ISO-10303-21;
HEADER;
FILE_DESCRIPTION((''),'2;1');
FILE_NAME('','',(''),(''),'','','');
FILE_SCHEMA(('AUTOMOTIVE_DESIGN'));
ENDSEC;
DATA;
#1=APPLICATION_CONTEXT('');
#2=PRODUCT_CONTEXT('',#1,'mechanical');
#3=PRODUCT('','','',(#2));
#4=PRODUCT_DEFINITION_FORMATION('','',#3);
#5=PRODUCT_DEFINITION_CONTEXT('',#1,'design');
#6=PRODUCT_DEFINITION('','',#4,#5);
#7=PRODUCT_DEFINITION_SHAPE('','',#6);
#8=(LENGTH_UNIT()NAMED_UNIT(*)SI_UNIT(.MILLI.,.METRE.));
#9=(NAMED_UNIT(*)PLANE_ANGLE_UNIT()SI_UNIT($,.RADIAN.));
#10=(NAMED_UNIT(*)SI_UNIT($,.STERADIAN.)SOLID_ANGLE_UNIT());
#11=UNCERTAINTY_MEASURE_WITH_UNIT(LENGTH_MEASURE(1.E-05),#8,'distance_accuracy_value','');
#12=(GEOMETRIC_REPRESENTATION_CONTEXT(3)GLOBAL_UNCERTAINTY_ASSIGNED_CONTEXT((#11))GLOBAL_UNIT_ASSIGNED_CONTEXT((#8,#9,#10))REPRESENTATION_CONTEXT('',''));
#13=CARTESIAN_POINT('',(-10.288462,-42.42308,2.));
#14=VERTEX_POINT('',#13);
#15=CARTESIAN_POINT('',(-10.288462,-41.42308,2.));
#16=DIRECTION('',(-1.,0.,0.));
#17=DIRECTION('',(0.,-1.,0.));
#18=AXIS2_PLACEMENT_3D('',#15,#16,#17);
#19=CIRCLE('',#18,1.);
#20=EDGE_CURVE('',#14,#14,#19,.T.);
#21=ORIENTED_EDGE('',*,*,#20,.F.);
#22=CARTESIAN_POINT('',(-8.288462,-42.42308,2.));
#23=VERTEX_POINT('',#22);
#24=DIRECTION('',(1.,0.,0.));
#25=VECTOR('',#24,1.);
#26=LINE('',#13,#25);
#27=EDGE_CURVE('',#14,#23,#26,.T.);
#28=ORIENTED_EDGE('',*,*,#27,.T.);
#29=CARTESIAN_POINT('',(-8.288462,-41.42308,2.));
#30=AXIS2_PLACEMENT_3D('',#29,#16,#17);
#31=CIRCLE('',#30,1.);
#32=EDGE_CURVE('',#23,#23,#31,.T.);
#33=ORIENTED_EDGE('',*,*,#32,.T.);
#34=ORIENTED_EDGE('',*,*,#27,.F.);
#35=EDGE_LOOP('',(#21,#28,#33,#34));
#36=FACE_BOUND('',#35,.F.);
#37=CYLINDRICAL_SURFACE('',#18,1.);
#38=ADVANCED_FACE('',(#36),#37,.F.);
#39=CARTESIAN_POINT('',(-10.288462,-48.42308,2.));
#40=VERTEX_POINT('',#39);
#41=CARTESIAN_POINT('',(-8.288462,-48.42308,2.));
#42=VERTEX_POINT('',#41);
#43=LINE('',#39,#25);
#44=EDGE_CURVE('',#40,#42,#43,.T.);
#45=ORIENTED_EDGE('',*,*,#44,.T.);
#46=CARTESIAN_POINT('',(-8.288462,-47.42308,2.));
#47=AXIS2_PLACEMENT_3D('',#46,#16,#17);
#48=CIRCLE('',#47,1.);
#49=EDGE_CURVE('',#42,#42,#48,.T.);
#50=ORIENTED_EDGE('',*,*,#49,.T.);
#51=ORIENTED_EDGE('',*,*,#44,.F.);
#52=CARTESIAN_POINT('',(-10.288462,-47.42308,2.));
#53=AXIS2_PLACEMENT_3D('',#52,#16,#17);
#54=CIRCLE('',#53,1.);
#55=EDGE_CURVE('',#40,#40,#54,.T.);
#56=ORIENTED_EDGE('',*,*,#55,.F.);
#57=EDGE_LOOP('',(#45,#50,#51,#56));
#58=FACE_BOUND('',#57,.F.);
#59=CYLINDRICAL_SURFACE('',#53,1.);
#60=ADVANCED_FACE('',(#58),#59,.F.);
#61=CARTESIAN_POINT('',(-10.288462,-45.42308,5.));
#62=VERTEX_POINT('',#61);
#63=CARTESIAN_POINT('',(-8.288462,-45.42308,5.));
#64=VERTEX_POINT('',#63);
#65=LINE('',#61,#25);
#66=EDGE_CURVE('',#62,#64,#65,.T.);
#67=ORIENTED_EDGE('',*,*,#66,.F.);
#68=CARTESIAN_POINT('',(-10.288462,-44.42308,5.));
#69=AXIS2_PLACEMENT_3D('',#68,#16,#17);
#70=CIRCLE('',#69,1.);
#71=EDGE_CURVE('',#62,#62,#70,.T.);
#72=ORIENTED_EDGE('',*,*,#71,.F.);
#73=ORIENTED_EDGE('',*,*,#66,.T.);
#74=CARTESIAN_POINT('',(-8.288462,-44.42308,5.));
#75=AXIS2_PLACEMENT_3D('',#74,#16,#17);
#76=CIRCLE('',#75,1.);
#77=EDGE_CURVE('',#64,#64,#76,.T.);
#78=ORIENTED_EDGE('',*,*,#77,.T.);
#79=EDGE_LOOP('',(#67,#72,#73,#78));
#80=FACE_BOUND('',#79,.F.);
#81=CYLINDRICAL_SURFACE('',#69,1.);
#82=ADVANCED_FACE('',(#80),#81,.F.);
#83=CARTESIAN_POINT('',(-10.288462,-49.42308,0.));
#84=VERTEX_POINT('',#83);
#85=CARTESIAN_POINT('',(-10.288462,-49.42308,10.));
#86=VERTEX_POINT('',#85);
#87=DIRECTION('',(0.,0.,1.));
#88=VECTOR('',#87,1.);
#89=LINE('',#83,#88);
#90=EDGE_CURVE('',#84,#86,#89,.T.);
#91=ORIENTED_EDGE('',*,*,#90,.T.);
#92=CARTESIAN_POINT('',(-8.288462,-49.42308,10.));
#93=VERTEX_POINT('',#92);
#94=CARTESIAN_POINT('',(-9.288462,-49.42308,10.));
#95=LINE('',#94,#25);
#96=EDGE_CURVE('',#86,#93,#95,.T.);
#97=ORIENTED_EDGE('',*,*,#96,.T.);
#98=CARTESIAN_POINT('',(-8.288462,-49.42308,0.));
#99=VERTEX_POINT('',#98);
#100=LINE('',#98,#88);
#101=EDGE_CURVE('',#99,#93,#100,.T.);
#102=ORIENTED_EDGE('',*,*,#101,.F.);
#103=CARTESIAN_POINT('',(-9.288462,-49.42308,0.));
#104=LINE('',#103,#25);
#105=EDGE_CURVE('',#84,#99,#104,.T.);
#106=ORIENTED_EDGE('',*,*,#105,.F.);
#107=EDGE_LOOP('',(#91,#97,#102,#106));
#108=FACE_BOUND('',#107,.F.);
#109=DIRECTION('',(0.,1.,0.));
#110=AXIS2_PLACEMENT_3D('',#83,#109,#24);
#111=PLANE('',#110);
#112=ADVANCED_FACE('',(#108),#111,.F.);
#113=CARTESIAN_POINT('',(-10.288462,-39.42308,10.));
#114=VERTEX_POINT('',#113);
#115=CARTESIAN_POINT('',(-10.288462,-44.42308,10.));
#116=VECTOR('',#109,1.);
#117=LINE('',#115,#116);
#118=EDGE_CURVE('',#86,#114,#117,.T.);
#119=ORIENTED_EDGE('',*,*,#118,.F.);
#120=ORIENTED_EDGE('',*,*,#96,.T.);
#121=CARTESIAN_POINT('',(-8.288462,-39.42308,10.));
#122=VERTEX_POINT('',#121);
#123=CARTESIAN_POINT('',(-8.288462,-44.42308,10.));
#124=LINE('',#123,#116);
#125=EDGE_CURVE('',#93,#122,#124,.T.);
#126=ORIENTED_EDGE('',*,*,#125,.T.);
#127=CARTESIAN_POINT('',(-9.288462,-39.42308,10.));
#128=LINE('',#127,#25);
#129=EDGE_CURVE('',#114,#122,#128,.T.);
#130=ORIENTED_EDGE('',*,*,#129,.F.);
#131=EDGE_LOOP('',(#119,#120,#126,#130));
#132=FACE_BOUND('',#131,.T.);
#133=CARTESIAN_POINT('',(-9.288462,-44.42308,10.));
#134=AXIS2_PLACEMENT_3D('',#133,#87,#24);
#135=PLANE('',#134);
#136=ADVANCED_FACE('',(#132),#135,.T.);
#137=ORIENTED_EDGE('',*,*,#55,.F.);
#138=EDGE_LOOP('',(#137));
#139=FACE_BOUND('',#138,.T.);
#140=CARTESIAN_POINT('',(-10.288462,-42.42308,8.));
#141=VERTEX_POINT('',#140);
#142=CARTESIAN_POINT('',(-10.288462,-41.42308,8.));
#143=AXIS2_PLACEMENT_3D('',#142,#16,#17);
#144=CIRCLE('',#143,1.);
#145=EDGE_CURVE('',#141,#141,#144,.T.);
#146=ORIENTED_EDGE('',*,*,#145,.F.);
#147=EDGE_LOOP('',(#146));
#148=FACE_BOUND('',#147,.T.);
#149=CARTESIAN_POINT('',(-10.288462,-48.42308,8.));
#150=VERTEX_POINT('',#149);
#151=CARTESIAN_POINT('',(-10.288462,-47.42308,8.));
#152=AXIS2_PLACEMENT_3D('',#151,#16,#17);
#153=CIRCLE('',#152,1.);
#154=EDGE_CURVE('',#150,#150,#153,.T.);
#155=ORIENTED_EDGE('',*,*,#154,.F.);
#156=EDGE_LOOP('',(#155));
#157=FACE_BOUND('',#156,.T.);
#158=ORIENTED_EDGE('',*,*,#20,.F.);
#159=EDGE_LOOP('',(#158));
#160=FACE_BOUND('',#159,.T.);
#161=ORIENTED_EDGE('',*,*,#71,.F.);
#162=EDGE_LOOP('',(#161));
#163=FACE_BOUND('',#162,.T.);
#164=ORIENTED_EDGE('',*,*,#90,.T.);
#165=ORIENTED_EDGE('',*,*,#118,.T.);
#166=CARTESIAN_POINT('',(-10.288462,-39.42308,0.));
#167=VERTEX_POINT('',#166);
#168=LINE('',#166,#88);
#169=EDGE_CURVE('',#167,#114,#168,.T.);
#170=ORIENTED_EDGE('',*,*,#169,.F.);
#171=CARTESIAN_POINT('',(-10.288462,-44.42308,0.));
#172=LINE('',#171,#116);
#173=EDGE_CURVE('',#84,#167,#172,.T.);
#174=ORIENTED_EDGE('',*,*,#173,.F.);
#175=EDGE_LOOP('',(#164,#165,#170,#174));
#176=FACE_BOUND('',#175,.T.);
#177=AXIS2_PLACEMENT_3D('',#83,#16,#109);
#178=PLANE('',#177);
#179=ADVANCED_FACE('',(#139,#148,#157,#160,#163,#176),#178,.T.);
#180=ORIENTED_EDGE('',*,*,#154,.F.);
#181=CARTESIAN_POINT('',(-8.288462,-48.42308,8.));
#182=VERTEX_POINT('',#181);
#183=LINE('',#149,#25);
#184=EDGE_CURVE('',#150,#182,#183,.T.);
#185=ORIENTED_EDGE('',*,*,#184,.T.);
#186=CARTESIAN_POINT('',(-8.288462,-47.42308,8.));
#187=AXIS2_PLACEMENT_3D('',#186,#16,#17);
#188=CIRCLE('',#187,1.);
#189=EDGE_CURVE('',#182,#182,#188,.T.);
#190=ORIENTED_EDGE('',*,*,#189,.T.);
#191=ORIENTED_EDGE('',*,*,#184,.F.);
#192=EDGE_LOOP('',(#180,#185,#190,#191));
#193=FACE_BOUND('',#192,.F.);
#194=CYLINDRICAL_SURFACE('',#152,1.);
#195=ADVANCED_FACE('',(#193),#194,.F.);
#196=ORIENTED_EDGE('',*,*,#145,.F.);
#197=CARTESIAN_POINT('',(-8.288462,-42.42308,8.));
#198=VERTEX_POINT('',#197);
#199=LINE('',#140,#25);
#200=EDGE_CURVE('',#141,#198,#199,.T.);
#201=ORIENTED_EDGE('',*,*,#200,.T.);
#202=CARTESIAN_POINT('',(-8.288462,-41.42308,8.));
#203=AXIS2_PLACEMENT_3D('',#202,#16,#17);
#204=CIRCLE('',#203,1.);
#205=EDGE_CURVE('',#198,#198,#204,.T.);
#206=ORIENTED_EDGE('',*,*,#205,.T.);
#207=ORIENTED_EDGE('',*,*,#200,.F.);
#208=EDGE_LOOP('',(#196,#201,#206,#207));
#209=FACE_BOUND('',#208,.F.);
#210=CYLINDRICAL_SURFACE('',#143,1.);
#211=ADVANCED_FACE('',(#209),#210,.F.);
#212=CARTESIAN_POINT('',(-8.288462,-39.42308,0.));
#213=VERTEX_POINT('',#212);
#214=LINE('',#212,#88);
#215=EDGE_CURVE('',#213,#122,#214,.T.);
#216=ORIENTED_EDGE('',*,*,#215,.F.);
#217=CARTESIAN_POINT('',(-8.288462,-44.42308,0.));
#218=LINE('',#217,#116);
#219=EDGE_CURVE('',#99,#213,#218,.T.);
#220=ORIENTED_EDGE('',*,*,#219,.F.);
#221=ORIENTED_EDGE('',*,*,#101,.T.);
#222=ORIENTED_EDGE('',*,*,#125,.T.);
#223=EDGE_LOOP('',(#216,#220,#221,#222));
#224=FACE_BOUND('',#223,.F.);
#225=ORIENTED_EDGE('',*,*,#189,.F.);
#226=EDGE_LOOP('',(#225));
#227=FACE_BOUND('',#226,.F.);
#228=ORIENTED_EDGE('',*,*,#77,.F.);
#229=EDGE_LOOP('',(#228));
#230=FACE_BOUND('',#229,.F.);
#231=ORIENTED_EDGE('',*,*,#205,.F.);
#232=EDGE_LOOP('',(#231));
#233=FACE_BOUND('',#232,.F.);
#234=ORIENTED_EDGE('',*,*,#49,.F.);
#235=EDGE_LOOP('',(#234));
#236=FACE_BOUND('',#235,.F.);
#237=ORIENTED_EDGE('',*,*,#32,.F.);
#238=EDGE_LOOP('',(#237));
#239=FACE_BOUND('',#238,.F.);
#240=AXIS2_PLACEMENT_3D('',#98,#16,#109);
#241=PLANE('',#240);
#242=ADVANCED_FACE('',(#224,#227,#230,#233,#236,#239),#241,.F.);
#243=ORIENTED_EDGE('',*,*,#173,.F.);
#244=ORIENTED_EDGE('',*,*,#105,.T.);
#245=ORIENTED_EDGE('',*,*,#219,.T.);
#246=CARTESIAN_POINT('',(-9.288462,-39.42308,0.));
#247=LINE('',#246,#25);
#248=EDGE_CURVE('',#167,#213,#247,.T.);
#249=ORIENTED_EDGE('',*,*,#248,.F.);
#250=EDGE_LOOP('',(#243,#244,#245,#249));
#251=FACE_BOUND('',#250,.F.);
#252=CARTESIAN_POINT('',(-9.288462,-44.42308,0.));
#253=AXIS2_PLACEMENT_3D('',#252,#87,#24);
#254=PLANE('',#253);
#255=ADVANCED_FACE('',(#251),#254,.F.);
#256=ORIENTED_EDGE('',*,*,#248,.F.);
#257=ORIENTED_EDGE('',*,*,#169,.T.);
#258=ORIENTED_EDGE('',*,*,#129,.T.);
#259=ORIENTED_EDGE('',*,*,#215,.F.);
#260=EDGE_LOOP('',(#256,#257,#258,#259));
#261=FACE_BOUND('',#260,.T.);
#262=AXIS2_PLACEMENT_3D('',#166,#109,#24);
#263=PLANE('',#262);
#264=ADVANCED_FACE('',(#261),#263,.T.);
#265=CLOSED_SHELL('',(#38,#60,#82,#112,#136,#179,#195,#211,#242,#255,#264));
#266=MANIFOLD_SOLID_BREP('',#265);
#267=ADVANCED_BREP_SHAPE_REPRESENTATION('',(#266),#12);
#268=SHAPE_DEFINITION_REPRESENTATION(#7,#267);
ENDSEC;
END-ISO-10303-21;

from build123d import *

# Parameters (mm, degrees)
F0_W     = 2
F0_H     = 10
F1_DEPTH = 10
F2_R     = 1
F3_DEPTH = 3


with BuildPart() as f1:
    # F0 (on Top) → F1 (new body)
    with BuildSketch(Plane.XY):
        with Locations((-9.288462, -44.42308)):
            Rectangle(F0_W, F0_H)
    extrude(amount=F1_DEPTH)

    # F2 (on face) → F3 (cut)
    with BuildSketch(Plane(origin=(-10.288462, 0, 0), x_dir=(0, -1, 0), z_dir=(-1, 0, 0))):
        with Locations((41.42308, 8)):
            Circle(F2_R)
        with Locations((44.42308, 5)):
            Circle(F2_R)
        with Locations((47.42308, 8)):
            Circle(F2_R)
        with Locations((47.42308, 2)):
            Circle(F2_R)
        with Locations((41.42308, 2)):
            Circle(F2_R)
    extrude(amount=-F3_DEPTH, mode=Mode.SUBTRACT)


solid = f1.part
